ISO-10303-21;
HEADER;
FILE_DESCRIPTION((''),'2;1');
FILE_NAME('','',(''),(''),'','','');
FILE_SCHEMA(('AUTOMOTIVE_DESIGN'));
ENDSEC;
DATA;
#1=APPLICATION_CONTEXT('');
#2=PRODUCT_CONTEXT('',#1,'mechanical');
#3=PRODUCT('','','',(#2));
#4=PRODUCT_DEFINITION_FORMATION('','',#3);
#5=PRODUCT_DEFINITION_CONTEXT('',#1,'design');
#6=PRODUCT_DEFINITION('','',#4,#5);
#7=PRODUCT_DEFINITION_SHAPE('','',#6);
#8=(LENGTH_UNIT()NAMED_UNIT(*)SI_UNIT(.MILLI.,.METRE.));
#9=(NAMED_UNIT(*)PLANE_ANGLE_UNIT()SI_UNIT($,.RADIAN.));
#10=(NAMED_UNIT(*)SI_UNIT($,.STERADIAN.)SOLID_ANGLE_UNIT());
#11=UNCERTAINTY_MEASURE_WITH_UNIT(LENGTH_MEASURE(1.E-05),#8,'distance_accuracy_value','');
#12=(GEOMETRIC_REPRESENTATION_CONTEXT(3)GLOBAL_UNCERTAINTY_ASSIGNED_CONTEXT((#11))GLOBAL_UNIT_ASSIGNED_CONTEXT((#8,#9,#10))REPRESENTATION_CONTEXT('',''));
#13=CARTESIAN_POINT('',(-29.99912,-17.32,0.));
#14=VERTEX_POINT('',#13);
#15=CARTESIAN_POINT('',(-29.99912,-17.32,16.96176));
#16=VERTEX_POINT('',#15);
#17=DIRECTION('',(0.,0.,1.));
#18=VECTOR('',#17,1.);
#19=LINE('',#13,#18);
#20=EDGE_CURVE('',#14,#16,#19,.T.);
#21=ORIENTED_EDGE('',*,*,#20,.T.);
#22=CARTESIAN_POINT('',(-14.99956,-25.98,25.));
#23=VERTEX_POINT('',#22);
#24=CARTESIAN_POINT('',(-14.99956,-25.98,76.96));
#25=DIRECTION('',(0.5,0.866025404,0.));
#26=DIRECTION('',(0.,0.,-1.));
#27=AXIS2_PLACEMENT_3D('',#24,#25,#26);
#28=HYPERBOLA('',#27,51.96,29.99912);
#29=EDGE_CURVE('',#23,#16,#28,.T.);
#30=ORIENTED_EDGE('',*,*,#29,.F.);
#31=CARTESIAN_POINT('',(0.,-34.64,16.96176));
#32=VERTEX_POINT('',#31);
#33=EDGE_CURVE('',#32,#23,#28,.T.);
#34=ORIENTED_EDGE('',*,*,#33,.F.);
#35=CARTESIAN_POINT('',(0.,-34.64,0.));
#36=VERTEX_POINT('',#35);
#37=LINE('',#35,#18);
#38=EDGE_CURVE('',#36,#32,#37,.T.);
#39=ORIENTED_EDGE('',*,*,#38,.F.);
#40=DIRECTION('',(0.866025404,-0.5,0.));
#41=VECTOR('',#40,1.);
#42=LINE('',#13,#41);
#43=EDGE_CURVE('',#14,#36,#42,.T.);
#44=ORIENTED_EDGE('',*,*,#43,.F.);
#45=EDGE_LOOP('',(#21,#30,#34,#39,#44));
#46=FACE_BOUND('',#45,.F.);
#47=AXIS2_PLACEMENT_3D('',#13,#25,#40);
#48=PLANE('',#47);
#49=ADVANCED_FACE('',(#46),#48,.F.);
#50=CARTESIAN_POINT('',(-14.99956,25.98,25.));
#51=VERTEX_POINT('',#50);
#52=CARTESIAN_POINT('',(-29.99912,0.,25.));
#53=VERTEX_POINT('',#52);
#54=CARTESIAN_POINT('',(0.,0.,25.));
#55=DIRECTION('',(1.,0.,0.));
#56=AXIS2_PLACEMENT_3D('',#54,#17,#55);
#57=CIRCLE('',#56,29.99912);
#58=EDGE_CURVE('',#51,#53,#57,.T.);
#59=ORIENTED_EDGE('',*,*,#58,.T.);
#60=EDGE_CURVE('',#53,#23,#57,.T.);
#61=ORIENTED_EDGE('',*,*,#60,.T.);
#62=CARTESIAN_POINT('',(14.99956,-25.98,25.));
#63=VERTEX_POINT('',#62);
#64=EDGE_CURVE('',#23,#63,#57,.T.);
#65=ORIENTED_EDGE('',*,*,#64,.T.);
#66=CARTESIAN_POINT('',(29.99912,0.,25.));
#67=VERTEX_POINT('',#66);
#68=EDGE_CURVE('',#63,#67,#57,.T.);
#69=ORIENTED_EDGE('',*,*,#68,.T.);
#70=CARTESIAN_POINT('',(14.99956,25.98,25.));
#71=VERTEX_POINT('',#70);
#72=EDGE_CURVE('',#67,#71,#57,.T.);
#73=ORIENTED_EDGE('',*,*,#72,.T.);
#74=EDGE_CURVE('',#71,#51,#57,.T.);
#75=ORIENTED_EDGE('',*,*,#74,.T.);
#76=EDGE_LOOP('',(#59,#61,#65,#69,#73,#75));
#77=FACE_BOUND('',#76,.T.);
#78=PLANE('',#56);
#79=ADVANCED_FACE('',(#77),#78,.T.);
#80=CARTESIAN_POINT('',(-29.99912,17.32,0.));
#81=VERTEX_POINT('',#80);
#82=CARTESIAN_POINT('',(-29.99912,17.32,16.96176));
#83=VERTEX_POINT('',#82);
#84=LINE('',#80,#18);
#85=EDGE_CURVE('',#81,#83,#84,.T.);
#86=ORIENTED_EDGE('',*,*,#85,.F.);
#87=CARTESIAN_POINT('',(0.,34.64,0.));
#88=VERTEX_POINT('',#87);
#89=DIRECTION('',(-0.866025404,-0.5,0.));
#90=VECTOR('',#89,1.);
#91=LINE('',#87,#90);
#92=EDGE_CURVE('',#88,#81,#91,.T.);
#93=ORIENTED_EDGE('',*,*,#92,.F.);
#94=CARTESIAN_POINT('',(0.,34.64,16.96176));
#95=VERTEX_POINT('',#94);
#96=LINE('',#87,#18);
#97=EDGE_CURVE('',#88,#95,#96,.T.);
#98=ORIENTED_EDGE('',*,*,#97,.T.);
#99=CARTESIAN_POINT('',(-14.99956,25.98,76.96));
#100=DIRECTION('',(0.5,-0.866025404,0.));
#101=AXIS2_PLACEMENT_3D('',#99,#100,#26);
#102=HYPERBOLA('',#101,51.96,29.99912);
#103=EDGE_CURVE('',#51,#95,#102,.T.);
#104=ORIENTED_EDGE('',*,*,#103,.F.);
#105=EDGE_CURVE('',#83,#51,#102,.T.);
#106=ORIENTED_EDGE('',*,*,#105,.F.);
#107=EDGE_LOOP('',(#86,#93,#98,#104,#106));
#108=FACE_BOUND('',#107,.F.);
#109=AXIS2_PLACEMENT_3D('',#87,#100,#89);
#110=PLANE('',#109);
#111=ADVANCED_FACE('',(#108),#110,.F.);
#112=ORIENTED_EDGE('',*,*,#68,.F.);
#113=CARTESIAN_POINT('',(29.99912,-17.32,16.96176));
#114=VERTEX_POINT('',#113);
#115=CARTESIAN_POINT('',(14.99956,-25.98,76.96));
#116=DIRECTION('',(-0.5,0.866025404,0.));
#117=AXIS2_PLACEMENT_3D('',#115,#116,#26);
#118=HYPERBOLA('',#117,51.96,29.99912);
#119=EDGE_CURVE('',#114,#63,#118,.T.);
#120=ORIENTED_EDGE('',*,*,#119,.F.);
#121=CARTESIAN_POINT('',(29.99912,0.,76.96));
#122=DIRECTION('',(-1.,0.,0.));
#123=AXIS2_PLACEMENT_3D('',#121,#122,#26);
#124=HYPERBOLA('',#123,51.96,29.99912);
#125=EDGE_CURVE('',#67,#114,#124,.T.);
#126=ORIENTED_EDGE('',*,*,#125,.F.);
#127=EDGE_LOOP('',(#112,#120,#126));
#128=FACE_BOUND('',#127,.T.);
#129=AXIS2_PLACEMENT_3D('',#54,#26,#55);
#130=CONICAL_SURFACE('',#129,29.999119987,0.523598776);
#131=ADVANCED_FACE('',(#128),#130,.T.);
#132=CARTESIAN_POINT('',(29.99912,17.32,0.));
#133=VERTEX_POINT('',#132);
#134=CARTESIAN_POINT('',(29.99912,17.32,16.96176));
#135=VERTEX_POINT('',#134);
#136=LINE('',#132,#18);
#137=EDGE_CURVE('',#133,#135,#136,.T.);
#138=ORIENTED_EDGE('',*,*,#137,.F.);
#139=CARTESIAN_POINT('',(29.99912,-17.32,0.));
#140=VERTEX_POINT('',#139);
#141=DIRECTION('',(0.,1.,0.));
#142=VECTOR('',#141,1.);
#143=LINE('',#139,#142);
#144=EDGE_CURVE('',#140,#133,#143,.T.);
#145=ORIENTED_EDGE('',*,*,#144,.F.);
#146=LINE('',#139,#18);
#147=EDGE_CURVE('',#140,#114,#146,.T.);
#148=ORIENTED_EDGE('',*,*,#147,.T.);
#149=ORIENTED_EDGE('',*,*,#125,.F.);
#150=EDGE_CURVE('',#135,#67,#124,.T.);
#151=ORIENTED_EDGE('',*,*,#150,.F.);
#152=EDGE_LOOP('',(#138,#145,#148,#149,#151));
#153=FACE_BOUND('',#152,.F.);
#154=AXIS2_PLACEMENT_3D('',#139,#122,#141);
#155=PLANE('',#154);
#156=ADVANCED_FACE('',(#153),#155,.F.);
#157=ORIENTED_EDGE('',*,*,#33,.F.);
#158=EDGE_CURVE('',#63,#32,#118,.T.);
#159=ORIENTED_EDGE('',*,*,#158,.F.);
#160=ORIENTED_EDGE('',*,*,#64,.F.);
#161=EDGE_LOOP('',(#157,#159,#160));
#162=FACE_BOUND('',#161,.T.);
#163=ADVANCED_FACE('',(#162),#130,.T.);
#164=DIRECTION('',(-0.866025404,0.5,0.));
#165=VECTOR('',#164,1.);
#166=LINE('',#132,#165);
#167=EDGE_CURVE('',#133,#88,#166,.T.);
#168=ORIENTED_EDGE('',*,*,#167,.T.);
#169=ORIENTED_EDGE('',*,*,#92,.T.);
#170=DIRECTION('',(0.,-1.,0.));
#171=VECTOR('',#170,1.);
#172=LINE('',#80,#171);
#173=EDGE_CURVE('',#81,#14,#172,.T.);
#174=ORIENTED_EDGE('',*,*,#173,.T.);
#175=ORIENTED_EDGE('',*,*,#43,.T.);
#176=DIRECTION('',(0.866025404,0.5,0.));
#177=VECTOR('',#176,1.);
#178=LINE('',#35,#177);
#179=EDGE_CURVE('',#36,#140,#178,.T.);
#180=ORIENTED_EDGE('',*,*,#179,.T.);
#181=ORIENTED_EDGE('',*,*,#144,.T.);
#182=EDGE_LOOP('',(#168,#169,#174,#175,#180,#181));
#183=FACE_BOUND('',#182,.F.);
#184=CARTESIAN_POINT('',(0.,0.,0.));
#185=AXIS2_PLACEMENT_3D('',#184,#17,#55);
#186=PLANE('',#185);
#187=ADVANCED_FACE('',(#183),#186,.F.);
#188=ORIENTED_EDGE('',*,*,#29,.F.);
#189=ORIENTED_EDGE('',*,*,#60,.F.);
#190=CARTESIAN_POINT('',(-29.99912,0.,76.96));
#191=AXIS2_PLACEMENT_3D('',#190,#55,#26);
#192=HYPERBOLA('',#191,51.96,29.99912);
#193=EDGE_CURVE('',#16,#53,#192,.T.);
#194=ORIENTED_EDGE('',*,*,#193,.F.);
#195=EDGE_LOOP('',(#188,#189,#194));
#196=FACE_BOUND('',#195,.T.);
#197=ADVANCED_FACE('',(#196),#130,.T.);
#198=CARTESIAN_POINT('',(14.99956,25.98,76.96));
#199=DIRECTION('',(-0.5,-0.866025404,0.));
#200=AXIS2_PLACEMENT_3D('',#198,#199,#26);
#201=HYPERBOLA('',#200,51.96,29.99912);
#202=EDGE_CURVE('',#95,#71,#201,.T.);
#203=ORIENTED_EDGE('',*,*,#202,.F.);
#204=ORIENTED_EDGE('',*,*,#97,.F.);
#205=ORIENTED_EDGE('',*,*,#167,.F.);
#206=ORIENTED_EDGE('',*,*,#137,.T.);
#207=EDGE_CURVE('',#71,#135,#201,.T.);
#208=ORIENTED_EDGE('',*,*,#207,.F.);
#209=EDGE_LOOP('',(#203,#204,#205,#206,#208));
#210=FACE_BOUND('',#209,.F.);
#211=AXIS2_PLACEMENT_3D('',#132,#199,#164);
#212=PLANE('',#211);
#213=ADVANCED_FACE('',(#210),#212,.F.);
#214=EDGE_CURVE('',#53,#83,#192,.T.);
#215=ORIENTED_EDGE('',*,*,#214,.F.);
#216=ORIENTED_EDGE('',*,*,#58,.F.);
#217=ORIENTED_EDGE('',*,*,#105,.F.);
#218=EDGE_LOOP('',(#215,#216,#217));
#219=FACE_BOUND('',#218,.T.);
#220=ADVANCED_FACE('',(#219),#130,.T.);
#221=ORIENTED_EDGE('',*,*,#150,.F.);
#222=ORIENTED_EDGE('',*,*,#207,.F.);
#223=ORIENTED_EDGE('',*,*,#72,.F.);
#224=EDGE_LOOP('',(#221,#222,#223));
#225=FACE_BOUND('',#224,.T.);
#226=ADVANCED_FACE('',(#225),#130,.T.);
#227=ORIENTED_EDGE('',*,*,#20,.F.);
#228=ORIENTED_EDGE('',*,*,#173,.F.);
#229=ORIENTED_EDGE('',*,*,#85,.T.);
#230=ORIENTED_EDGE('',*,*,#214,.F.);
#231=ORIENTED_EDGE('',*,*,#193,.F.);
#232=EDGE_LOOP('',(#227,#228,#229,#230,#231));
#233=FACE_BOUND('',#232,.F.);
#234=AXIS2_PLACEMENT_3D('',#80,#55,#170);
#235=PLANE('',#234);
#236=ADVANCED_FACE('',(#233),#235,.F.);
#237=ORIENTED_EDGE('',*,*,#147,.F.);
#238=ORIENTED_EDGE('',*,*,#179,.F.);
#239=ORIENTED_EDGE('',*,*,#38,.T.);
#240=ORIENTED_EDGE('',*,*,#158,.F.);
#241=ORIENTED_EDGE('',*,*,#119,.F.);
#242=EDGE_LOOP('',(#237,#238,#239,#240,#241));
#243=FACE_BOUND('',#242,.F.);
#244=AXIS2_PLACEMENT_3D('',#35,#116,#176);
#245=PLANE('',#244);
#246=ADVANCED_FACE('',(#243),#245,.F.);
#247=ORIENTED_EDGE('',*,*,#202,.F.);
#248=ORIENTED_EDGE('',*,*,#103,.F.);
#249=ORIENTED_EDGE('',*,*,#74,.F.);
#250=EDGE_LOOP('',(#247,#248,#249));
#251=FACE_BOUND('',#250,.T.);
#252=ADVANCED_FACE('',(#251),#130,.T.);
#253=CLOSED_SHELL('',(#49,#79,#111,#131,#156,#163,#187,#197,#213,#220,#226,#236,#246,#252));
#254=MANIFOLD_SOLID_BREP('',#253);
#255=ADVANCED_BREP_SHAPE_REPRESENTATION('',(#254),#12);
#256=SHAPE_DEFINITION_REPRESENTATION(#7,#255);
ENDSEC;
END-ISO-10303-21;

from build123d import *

# Parameters (mm, degrees)
BOSS_EXTRUDE1_DEPTH = 25
SKETCH2_OUTSIDE_W   = 142.428
SKETCH2_OUTSIDE_H   = 151.71
SKETCH2_OUTSIDE_R   = 29.999119987
CUT_EXTRUDE2_DEPTH  = 53.200352489
CUT_EXTRUDE2_DRAFT  = -30


with BuildPart() as part:
    # Sketch1 → Boss-Extrude1 (new body)
    with BuildSketch(Plane.XY):
        Polygon((0, -34.64), (29.999119987, -17.32), (29.999119987, 17.32), (0, 34.64), (-29.999119987, 17.32), (-29.999119987, -17.32), align=None)
    extrude(amount=BOSS_EXTRUDE1_DEPTH)


with BuildPart() as cut_extrude2_tool:
    # Sketch2 outside → Cut-Extrude2 (with draft: the straight prism first)
    with BuildSketch(Plane.XY.offset(25)):
        Rectangle(SKETCH2_OUTSIDE_W, SKETCH2_OUTSIDE_H)
        Circle(SKETCH2_OUTSIDE_R, mode=Mode.SUBTRACT)
    extrude(amount=-CUT_EXTRUDE2_DEPTH)
    # Cut-Extrude2: the draft: its side faces are tilted about the plane it starts from
    cut_extrude2_sides = [cut_extrude2_tool.faces().sort_by_distance(p)[0] for p in [
        (0, -75.855, -1.600176245),
        (71.214, 0, -1.600176245),
        (0, 75.855, -1.600176245),
        (-71.214, 0, -1.600176245),
        (-29.999119987, 0, -1.600176245),
    ]]
    draft(cut_extrude2_sides, Plane.XY.offset(25), CUT_EXTRUDE2_DRAFT)


with BuildPart() as part_1:
    add(part.part)

    # Cut-Extrude2: cut by cut_extrude2_tool
    add(cut_extrude2_tool.part, mode=Mode.SUBTRACT)


solid = part_1.part
